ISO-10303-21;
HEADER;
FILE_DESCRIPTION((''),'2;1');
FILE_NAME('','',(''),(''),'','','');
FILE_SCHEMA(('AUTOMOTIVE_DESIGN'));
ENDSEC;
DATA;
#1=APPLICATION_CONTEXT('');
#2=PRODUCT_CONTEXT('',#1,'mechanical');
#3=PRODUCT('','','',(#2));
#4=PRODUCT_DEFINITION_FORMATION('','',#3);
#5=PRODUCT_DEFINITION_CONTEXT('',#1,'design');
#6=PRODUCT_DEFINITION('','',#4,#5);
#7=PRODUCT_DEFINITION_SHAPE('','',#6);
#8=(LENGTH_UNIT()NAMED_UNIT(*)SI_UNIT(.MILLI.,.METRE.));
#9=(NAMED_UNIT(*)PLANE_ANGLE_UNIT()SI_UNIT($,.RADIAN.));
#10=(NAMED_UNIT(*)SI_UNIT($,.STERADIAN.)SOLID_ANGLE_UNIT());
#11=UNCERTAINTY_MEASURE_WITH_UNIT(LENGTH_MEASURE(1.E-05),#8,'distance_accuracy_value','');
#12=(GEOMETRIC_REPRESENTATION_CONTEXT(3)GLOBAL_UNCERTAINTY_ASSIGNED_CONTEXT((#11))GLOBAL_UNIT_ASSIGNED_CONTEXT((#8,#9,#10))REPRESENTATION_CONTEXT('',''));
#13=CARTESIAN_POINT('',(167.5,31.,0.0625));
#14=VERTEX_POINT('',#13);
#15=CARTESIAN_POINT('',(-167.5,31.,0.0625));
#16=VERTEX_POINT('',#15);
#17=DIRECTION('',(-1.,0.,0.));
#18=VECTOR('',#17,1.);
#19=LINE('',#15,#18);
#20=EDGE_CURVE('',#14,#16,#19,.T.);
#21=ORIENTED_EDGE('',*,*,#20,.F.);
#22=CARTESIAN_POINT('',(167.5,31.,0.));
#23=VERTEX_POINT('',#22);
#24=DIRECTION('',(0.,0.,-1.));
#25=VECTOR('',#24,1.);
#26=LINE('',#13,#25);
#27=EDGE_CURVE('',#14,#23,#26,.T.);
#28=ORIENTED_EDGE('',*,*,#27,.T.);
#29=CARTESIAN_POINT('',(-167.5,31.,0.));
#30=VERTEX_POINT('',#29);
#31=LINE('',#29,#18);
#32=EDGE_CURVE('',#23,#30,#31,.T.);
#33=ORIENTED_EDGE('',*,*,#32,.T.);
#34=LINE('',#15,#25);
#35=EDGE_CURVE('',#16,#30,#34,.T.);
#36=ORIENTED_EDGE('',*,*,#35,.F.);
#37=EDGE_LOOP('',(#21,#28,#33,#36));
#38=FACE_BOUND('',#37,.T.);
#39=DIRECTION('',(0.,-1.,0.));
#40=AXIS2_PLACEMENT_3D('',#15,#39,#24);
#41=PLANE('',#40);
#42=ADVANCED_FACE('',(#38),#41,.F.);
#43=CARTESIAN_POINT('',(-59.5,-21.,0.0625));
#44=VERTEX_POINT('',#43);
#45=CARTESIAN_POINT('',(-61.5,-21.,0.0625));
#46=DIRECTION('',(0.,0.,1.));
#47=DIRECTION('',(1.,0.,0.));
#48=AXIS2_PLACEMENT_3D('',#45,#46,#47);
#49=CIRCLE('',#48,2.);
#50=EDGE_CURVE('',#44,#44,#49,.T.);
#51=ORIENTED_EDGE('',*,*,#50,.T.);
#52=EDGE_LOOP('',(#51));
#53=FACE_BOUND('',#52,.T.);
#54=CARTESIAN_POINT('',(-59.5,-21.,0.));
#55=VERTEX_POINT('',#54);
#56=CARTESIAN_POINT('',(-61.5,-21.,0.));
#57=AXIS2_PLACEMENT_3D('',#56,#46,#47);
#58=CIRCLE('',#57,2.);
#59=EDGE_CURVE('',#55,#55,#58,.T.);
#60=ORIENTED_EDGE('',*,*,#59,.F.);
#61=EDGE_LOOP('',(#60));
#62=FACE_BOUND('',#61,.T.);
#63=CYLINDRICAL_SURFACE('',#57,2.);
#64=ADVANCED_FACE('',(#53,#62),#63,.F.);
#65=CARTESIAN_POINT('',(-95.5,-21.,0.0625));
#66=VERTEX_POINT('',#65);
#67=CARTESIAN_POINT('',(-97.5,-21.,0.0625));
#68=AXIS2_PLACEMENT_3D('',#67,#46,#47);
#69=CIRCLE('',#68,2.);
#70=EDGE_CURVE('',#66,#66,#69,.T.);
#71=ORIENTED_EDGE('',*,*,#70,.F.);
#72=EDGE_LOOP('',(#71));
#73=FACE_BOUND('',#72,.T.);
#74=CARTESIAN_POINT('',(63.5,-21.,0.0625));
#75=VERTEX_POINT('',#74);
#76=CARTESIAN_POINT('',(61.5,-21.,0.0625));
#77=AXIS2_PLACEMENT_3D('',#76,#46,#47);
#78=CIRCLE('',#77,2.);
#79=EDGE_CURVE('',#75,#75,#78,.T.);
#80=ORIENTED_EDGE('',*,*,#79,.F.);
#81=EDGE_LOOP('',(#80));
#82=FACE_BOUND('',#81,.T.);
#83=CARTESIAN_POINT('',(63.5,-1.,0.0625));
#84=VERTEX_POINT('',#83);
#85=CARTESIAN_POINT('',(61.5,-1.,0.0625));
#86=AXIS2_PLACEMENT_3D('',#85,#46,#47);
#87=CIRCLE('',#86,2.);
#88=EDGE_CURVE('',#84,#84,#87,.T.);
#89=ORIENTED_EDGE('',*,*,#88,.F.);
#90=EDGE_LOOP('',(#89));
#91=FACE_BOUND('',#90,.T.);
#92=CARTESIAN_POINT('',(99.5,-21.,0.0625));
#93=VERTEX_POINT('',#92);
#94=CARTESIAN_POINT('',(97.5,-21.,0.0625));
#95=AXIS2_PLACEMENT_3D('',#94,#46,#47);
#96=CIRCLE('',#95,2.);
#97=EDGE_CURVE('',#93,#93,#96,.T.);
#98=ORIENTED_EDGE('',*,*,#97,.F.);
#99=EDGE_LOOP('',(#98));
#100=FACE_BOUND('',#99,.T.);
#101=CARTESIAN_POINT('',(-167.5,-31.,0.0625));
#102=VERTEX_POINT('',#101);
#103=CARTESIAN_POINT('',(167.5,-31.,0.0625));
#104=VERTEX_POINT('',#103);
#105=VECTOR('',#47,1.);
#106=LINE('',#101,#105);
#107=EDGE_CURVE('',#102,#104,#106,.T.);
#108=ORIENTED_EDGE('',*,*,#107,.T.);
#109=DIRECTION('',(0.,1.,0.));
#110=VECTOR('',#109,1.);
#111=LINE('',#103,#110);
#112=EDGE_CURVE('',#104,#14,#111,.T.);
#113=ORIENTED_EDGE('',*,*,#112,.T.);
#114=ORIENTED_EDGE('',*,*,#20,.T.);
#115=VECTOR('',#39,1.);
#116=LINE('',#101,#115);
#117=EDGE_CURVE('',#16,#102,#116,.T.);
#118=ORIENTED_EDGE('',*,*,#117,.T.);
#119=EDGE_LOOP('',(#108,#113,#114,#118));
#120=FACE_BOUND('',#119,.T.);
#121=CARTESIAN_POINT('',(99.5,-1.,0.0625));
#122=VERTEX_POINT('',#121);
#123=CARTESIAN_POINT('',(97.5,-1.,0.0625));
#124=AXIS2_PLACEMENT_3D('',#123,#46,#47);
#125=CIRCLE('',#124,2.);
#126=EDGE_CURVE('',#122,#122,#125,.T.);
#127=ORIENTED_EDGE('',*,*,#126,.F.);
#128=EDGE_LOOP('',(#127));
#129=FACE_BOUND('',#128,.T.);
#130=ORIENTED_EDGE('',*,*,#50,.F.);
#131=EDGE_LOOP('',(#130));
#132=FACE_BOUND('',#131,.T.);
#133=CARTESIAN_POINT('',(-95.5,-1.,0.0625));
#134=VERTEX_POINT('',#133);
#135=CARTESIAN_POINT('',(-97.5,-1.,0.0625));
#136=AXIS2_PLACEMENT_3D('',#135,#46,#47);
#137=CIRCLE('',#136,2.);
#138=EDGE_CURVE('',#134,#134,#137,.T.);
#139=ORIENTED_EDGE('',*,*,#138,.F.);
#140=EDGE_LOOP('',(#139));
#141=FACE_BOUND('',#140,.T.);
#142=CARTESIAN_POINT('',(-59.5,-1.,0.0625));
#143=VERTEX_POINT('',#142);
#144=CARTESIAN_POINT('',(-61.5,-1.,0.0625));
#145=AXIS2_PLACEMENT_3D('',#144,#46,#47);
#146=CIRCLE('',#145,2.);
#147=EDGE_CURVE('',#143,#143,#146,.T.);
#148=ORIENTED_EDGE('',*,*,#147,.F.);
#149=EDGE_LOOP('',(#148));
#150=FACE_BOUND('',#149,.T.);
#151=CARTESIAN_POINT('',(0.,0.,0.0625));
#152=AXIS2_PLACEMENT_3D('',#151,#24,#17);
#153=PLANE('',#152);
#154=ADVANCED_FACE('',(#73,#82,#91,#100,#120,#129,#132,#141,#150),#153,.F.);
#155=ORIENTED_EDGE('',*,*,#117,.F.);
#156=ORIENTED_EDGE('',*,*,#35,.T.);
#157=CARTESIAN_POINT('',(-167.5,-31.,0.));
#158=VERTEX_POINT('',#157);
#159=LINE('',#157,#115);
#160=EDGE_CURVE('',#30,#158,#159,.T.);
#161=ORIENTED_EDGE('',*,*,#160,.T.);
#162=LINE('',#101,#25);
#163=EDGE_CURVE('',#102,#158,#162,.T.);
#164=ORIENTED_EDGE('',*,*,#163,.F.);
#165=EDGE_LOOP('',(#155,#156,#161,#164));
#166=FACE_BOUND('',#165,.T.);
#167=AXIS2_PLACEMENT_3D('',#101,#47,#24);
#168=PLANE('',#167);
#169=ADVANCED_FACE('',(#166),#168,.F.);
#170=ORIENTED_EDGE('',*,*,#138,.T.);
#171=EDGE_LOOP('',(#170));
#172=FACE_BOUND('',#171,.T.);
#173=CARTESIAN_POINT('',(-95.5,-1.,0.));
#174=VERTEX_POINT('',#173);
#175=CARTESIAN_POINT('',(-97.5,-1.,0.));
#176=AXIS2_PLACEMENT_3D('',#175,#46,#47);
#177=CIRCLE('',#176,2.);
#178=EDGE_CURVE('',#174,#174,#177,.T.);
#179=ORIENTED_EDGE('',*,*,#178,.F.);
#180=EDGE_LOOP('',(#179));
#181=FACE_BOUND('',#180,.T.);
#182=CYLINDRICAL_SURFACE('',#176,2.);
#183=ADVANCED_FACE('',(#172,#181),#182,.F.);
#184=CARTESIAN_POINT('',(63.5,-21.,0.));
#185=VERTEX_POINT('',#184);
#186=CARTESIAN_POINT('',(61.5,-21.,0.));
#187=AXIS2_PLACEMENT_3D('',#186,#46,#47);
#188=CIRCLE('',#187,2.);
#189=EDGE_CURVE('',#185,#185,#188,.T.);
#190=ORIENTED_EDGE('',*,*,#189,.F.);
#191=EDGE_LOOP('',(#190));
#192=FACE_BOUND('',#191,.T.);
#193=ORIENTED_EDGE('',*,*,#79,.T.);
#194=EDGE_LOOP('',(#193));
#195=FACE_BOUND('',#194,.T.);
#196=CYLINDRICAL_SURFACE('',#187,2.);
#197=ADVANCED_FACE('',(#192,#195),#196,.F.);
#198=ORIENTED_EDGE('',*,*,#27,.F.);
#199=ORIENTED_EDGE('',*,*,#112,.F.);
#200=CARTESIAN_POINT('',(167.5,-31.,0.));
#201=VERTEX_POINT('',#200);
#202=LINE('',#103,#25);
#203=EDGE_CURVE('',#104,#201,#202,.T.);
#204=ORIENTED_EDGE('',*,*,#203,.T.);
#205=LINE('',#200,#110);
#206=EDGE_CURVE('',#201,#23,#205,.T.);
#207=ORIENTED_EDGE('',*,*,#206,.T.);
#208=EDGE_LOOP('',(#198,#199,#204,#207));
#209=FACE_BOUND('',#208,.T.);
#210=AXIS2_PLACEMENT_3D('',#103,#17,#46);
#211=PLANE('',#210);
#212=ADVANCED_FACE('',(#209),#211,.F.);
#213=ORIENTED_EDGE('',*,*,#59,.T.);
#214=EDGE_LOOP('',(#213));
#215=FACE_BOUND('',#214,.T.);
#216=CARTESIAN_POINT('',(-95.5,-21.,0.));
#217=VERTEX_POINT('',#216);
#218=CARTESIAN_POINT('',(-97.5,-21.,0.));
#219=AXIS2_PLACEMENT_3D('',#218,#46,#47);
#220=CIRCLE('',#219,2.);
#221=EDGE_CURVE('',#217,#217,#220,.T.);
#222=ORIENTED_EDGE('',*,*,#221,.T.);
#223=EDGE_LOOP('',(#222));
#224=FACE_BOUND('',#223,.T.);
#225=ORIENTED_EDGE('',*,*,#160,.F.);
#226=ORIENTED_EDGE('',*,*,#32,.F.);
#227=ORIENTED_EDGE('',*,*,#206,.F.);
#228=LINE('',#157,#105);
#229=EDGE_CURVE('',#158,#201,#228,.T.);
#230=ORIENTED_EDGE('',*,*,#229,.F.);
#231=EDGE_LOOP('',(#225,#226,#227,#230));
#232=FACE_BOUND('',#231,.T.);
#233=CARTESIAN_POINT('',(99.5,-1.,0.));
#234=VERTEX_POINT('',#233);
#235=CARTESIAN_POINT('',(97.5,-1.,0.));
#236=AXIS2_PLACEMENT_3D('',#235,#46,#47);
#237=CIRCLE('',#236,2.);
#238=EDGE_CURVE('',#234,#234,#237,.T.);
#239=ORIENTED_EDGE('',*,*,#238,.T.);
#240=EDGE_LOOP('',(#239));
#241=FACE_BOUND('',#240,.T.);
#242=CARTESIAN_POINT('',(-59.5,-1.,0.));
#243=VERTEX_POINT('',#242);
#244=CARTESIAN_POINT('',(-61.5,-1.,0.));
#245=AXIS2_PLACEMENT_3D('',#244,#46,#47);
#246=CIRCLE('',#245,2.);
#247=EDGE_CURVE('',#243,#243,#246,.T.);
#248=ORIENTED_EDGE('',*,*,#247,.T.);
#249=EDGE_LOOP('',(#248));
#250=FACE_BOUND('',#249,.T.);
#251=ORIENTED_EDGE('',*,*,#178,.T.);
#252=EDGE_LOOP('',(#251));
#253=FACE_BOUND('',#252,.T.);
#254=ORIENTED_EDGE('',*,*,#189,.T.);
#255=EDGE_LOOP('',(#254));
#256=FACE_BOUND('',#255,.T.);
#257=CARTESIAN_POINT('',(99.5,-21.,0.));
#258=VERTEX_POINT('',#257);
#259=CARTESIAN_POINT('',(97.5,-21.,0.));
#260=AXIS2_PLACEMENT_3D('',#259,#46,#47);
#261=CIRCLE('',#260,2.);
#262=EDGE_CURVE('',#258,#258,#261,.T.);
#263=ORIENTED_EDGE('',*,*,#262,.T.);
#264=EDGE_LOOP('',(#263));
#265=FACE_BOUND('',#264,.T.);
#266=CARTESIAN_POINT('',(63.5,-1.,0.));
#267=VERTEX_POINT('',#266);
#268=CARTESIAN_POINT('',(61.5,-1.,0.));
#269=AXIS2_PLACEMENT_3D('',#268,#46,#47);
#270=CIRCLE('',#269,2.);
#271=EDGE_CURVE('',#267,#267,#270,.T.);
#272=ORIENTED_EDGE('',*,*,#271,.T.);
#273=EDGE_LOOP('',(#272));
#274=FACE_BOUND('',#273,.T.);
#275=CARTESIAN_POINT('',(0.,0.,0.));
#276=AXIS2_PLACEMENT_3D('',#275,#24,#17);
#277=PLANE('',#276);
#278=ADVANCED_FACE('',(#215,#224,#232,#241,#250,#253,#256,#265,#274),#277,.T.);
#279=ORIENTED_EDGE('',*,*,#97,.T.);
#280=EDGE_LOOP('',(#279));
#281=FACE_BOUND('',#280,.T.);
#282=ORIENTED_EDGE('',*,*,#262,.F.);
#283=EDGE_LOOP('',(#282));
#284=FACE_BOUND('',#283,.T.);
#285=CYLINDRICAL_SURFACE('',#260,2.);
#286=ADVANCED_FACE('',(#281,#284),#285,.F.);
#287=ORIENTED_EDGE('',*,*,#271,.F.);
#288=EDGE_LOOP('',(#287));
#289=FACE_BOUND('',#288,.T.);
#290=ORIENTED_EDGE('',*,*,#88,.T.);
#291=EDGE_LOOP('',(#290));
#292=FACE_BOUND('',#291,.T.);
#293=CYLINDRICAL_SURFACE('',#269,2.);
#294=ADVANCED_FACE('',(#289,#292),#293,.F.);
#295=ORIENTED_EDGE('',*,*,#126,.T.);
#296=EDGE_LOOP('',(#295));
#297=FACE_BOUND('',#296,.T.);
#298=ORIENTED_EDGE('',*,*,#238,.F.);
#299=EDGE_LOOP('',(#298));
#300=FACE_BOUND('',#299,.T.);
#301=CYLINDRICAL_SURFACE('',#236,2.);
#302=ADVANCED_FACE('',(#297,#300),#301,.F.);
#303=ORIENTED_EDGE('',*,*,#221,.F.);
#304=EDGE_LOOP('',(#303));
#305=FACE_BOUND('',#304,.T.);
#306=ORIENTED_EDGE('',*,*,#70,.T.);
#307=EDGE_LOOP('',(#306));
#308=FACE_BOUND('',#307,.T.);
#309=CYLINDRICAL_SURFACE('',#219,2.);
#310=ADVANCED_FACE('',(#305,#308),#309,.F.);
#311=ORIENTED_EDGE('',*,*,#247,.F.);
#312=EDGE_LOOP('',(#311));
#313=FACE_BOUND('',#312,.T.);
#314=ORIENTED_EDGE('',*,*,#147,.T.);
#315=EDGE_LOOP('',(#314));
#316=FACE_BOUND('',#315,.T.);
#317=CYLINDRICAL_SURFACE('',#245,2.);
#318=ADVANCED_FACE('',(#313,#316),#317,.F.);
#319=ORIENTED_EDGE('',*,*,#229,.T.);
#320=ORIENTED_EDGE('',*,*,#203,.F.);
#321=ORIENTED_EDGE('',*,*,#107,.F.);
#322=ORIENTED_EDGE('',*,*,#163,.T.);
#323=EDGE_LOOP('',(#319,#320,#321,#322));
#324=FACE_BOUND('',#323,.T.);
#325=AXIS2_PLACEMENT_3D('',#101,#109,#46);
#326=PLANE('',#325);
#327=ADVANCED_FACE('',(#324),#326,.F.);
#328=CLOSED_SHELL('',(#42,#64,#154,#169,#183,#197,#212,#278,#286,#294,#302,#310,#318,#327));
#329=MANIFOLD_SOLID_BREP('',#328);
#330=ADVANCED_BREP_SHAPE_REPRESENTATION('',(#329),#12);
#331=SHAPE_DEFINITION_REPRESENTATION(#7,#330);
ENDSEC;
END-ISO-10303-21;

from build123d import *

# Parameters (mm, degrees)
SKETCH1_W                   = 335
SKETCH1_H                   = 62
BODY_DEPTH                  = 0.0625
SKETCH2_R                   = 2
CAMERA_MOUNTING_HOLES_DEPTH = 0.0625
SKETCH3_R                   = 2
MOUNTING_HOLES_DEPTH        = 0.0625


with BuildPart() as part:
    # Sketch1 → Body (new body)
    with BuildSketch(Plane.XY):
        Rectangle(SKETCH1_W, SKETCH1_H)
    extrude(amount=BODY_DEPTH)

    # Sketch2 → Camera Mounting holes (cut)
    with BuildSketch(Plane.XY.offset(0.0625)):
        with Locations((-61.5, -1)):
            Circle(SKETCH2_R)
        with Locations((-61.5, -21)):
            Circle(SKETCH2_R)
        with Locations((61.5, -1)):
            Circle(SKETCH2_R)
        with Locations((61.5, -21)):
            Circle(SKETCH2_R)
    extrude(amount=-CAMERA_MOUNTING_HOLES_DEPTH, mode=Mode.SUBTRACT)

    # Sketch3 → Mounting Holes (cut)
    with BuildSketch(Plane.XY.offset(0.0625)):
        with Locations((-97.5, -1)):
            Circle(SKETCH3_R)
        with Locations((-97.5, -21)):
            Circle(SKETCH3_R)
        with Locations((97.5, -1)):
            Circle(SKETCH3_R)
        with Locations((97.5, -21)):
            Circle(SKETCH3_R)
    extrude(amount=-MOUNTING_HOLES_DEPTH, mode=Mode.SUBTRACT)


solid = part.part
